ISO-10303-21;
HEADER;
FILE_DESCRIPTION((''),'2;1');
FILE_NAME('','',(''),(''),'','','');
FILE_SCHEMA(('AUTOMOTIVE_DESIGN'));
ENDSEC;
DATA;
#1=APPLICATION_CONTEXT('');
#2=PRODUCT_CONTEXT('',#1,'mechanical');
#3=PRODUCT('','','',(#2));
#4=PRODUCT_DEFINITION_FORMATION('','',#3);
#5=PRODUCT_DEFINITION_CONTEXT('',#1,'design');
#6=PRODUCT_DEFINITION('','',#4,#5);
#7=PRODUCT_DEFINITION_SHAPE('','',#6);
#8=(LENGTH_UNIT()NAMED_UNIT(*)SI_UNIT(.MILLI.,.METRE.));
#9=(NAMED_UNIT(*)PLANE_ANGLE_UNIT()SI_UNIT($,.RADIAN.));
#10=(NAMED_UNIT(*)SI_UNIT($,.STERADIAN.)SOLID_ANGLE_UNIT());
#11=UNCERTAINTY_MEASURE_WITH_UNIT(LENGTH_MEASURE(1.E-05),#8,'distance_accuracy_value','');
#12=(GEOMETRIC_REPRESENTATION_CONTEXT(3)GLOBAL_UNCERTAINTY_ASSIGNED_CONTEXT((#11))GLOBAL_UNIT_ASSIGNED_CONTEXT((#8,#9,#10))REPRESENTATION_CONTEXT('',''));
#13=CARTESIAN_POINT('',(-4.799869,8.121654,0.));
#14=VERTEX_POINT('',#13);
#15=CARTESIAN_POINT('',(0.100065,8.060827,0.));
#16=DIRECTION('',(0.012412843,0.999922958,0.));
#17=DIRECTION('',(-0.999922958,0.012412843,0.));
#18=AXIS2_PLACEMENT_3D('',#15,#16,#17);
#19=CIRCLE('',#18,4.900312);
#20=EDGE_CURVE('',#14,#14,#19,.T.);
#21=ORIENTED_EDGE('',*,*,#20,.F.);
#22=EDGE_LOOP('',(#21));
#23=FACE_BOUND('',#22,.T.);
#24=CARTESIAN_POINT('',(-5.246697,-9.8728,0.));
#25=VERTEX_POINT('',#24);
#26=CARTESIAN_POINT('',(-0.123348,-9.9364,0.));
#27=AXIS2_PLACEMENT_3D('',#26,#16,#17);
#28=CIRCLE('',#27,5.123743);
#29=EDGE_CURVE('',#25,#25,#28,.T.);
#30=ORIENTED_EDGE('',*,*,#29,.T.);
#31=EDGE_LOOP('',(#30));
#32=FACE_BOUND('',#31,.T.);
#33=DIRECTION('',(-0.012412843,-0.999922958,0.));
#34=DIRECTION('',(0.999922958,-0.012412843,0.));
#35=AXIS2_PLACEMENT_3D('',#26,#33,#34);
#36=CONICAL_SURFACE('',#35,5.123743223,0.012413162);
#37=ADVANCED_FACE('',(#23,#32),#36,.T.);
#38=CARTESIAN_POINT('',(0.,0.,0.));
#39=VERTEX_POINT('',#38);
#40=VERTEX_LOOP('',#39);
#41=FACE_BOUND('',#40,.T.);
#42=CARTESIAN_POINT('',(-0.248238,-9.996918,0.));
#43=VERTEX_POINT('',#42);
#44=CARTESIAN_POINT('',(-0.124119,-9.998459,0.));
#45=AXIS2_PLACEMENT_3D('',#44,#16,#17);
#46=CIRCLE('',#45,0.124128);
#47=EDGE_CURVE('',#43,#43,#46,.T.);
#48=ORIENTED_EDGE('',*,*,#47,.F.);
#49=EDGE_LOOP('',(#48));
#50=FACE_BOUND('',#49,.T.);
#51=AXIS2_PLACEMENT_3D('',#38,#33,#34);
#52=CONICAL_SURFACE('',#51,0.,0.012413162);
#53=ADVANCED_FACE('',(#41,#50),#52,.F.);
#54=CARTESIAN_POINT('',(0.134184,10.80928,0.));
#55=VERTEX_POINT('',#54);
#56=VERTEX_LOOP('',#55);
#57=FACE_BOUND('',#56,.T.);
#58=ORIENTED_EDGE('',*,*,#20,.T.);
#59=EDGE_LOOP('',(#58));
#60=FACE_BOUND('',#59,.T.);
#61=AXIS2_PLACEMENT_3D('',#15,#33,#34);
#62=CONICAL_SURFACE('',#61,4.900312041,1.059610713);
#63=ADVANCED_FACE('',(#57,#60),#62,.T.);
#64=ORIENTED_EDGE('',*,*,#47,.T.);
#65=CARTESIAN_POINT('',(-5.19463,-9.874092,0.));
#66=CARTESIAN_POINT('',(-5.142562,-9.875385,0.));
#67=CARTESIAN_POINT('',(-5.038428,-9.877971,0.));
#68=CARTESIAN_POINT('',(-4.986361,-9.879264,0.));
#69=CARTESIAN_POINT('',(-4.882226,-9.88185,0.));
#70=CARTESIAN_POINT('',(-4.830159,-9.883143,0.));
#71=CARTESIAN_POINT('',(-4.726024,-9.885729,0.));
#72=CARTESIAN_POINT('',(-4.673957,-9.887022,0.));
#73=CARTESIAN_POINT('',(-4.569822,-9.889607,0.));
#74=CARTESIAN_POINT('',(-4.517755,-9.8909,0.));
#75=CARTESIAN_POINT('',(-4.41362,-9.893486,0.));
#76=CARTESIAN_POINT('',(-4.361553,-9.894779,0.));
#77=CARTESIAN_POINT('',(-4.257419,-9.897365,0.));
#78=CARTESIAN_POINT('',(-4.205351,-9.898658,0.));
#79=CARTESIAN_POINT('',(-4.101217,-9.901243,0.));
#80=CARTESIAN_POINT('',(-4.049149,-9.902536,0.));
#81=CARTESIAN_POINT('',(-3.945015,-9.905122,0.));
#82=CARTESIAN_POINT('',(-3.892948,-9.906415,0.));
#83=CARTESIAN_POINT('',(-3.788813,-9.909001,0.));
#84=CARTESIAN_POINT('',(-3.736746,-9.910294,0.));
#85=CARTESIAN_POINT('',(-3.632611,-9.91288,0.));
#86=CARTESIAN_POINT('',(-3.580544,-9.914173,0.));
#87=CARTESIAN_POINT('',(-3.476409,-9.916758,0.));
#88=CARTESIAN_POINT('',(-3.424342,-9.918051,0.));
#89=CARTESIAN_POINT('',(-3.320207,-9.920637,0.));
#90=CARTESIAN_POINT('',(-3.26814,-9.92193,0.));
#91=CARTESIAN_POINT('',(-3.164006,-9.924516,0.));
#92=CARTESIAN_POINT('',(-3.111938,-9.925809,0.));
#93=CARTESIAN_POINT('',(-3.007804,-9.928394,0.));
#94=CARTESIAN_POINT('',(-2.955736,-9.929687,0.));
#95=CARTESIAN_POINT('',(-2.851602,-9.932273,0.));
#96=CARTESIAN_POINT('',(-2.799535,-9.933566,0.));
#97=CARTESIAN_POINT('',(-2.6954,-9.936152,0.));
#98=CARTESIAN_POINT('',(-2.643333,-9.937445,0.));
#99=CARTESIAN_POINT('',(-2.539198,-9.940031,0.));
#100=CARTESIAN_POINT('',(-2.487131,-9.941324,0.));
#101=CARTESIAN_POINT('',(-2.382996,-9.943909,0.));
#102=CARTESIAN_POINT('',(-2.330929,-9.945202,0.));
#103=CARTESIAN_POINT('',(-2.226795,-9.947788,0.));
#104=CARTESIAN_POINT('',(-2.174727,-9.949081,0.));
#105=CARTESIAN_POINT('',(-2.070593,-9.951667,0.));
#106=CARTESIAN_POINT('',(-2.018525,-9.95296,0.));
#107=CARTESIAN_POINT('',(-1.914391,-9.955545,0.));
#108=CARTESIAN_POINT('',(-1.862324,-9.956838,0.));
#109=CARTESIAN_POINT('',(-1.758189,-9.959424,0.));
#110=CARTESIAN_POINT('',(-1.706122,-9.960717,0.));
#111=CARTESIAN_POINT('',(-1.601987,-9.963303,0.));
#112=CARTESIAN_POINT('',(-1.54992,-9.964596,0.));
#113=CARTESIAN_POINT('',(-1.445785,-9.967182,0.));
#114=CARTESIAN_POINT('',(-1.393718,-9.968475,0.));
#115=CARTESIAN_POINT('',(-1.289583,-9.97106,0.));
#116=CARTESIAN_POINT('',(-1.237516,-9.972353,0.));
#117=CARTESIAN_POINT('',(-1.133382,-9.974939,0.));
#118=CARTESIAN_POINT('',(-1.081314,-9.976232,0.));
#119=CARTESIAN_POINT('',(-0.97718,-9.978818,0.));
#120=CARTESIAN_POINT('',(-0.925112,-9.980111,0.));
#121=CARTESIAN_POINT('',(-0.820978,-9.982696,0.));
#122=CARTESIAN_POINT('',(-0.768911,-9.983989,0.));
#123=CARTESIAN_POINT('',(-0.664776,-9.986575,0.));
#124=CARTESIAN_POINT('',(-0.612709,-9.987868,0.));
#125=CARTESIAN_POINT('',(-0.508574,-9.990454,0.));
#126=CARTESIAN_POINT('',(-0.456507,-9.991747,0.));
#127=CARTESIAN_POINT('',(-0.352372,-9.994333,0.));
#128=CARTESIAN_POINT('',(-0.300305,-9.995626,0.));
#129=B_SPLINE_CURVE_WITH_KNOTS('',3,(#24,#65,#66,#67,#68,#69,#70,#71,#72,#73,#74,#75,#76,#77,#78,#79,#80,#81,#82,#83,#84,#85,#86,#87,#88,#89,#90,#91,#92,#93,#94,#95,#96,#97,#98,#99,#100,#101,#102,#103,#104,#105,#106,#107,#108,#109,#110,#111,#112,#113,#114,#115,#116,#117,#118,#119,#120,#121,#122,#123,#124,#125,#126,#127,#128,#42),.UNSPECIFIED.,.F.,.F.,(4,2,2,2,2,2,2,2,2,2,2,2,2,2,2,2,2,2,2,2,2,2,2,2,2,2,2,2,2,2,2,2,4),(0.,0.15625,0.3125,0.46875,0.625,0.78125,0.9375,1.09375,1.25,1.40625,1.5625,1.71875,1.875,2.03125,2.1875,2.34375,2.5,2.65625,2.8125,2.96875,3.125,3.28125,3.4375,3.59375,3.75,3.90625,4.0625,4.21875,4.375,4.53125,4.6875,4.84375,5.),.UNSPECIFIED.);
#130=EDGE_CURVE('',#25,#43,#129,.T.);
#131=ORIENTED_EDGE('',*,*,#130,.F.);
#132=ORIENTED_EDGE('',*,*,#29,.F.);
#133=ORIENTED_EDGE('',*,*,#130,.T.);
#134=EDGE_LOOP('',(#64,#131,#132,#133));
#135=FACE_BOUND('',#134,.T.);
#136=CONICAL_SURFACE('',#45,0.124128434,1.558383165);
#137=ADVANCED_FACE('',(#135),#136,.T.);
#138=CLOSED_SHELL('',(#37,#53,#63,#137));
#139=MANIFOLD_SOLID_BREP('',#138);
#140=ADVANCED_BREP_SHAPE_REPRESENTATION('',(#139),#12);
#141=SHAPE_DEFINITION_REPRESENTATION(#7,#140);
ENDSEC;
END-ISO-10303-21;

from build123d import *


with BuildPart() as part:
    # Sketch1 → Revolve1 (revolve)
    with BuildSketch(Plane.XY):
        Polygon((0.134184238, 10.80928004), (5, 8), (5, -10), (0, -10), (0, 0), align=None)
    revolve(axis=Axis((0.134184238, 10.80928004, 0), (-0.012412843420750438, -0.9999229576913473, 0)))


solid = part.part
